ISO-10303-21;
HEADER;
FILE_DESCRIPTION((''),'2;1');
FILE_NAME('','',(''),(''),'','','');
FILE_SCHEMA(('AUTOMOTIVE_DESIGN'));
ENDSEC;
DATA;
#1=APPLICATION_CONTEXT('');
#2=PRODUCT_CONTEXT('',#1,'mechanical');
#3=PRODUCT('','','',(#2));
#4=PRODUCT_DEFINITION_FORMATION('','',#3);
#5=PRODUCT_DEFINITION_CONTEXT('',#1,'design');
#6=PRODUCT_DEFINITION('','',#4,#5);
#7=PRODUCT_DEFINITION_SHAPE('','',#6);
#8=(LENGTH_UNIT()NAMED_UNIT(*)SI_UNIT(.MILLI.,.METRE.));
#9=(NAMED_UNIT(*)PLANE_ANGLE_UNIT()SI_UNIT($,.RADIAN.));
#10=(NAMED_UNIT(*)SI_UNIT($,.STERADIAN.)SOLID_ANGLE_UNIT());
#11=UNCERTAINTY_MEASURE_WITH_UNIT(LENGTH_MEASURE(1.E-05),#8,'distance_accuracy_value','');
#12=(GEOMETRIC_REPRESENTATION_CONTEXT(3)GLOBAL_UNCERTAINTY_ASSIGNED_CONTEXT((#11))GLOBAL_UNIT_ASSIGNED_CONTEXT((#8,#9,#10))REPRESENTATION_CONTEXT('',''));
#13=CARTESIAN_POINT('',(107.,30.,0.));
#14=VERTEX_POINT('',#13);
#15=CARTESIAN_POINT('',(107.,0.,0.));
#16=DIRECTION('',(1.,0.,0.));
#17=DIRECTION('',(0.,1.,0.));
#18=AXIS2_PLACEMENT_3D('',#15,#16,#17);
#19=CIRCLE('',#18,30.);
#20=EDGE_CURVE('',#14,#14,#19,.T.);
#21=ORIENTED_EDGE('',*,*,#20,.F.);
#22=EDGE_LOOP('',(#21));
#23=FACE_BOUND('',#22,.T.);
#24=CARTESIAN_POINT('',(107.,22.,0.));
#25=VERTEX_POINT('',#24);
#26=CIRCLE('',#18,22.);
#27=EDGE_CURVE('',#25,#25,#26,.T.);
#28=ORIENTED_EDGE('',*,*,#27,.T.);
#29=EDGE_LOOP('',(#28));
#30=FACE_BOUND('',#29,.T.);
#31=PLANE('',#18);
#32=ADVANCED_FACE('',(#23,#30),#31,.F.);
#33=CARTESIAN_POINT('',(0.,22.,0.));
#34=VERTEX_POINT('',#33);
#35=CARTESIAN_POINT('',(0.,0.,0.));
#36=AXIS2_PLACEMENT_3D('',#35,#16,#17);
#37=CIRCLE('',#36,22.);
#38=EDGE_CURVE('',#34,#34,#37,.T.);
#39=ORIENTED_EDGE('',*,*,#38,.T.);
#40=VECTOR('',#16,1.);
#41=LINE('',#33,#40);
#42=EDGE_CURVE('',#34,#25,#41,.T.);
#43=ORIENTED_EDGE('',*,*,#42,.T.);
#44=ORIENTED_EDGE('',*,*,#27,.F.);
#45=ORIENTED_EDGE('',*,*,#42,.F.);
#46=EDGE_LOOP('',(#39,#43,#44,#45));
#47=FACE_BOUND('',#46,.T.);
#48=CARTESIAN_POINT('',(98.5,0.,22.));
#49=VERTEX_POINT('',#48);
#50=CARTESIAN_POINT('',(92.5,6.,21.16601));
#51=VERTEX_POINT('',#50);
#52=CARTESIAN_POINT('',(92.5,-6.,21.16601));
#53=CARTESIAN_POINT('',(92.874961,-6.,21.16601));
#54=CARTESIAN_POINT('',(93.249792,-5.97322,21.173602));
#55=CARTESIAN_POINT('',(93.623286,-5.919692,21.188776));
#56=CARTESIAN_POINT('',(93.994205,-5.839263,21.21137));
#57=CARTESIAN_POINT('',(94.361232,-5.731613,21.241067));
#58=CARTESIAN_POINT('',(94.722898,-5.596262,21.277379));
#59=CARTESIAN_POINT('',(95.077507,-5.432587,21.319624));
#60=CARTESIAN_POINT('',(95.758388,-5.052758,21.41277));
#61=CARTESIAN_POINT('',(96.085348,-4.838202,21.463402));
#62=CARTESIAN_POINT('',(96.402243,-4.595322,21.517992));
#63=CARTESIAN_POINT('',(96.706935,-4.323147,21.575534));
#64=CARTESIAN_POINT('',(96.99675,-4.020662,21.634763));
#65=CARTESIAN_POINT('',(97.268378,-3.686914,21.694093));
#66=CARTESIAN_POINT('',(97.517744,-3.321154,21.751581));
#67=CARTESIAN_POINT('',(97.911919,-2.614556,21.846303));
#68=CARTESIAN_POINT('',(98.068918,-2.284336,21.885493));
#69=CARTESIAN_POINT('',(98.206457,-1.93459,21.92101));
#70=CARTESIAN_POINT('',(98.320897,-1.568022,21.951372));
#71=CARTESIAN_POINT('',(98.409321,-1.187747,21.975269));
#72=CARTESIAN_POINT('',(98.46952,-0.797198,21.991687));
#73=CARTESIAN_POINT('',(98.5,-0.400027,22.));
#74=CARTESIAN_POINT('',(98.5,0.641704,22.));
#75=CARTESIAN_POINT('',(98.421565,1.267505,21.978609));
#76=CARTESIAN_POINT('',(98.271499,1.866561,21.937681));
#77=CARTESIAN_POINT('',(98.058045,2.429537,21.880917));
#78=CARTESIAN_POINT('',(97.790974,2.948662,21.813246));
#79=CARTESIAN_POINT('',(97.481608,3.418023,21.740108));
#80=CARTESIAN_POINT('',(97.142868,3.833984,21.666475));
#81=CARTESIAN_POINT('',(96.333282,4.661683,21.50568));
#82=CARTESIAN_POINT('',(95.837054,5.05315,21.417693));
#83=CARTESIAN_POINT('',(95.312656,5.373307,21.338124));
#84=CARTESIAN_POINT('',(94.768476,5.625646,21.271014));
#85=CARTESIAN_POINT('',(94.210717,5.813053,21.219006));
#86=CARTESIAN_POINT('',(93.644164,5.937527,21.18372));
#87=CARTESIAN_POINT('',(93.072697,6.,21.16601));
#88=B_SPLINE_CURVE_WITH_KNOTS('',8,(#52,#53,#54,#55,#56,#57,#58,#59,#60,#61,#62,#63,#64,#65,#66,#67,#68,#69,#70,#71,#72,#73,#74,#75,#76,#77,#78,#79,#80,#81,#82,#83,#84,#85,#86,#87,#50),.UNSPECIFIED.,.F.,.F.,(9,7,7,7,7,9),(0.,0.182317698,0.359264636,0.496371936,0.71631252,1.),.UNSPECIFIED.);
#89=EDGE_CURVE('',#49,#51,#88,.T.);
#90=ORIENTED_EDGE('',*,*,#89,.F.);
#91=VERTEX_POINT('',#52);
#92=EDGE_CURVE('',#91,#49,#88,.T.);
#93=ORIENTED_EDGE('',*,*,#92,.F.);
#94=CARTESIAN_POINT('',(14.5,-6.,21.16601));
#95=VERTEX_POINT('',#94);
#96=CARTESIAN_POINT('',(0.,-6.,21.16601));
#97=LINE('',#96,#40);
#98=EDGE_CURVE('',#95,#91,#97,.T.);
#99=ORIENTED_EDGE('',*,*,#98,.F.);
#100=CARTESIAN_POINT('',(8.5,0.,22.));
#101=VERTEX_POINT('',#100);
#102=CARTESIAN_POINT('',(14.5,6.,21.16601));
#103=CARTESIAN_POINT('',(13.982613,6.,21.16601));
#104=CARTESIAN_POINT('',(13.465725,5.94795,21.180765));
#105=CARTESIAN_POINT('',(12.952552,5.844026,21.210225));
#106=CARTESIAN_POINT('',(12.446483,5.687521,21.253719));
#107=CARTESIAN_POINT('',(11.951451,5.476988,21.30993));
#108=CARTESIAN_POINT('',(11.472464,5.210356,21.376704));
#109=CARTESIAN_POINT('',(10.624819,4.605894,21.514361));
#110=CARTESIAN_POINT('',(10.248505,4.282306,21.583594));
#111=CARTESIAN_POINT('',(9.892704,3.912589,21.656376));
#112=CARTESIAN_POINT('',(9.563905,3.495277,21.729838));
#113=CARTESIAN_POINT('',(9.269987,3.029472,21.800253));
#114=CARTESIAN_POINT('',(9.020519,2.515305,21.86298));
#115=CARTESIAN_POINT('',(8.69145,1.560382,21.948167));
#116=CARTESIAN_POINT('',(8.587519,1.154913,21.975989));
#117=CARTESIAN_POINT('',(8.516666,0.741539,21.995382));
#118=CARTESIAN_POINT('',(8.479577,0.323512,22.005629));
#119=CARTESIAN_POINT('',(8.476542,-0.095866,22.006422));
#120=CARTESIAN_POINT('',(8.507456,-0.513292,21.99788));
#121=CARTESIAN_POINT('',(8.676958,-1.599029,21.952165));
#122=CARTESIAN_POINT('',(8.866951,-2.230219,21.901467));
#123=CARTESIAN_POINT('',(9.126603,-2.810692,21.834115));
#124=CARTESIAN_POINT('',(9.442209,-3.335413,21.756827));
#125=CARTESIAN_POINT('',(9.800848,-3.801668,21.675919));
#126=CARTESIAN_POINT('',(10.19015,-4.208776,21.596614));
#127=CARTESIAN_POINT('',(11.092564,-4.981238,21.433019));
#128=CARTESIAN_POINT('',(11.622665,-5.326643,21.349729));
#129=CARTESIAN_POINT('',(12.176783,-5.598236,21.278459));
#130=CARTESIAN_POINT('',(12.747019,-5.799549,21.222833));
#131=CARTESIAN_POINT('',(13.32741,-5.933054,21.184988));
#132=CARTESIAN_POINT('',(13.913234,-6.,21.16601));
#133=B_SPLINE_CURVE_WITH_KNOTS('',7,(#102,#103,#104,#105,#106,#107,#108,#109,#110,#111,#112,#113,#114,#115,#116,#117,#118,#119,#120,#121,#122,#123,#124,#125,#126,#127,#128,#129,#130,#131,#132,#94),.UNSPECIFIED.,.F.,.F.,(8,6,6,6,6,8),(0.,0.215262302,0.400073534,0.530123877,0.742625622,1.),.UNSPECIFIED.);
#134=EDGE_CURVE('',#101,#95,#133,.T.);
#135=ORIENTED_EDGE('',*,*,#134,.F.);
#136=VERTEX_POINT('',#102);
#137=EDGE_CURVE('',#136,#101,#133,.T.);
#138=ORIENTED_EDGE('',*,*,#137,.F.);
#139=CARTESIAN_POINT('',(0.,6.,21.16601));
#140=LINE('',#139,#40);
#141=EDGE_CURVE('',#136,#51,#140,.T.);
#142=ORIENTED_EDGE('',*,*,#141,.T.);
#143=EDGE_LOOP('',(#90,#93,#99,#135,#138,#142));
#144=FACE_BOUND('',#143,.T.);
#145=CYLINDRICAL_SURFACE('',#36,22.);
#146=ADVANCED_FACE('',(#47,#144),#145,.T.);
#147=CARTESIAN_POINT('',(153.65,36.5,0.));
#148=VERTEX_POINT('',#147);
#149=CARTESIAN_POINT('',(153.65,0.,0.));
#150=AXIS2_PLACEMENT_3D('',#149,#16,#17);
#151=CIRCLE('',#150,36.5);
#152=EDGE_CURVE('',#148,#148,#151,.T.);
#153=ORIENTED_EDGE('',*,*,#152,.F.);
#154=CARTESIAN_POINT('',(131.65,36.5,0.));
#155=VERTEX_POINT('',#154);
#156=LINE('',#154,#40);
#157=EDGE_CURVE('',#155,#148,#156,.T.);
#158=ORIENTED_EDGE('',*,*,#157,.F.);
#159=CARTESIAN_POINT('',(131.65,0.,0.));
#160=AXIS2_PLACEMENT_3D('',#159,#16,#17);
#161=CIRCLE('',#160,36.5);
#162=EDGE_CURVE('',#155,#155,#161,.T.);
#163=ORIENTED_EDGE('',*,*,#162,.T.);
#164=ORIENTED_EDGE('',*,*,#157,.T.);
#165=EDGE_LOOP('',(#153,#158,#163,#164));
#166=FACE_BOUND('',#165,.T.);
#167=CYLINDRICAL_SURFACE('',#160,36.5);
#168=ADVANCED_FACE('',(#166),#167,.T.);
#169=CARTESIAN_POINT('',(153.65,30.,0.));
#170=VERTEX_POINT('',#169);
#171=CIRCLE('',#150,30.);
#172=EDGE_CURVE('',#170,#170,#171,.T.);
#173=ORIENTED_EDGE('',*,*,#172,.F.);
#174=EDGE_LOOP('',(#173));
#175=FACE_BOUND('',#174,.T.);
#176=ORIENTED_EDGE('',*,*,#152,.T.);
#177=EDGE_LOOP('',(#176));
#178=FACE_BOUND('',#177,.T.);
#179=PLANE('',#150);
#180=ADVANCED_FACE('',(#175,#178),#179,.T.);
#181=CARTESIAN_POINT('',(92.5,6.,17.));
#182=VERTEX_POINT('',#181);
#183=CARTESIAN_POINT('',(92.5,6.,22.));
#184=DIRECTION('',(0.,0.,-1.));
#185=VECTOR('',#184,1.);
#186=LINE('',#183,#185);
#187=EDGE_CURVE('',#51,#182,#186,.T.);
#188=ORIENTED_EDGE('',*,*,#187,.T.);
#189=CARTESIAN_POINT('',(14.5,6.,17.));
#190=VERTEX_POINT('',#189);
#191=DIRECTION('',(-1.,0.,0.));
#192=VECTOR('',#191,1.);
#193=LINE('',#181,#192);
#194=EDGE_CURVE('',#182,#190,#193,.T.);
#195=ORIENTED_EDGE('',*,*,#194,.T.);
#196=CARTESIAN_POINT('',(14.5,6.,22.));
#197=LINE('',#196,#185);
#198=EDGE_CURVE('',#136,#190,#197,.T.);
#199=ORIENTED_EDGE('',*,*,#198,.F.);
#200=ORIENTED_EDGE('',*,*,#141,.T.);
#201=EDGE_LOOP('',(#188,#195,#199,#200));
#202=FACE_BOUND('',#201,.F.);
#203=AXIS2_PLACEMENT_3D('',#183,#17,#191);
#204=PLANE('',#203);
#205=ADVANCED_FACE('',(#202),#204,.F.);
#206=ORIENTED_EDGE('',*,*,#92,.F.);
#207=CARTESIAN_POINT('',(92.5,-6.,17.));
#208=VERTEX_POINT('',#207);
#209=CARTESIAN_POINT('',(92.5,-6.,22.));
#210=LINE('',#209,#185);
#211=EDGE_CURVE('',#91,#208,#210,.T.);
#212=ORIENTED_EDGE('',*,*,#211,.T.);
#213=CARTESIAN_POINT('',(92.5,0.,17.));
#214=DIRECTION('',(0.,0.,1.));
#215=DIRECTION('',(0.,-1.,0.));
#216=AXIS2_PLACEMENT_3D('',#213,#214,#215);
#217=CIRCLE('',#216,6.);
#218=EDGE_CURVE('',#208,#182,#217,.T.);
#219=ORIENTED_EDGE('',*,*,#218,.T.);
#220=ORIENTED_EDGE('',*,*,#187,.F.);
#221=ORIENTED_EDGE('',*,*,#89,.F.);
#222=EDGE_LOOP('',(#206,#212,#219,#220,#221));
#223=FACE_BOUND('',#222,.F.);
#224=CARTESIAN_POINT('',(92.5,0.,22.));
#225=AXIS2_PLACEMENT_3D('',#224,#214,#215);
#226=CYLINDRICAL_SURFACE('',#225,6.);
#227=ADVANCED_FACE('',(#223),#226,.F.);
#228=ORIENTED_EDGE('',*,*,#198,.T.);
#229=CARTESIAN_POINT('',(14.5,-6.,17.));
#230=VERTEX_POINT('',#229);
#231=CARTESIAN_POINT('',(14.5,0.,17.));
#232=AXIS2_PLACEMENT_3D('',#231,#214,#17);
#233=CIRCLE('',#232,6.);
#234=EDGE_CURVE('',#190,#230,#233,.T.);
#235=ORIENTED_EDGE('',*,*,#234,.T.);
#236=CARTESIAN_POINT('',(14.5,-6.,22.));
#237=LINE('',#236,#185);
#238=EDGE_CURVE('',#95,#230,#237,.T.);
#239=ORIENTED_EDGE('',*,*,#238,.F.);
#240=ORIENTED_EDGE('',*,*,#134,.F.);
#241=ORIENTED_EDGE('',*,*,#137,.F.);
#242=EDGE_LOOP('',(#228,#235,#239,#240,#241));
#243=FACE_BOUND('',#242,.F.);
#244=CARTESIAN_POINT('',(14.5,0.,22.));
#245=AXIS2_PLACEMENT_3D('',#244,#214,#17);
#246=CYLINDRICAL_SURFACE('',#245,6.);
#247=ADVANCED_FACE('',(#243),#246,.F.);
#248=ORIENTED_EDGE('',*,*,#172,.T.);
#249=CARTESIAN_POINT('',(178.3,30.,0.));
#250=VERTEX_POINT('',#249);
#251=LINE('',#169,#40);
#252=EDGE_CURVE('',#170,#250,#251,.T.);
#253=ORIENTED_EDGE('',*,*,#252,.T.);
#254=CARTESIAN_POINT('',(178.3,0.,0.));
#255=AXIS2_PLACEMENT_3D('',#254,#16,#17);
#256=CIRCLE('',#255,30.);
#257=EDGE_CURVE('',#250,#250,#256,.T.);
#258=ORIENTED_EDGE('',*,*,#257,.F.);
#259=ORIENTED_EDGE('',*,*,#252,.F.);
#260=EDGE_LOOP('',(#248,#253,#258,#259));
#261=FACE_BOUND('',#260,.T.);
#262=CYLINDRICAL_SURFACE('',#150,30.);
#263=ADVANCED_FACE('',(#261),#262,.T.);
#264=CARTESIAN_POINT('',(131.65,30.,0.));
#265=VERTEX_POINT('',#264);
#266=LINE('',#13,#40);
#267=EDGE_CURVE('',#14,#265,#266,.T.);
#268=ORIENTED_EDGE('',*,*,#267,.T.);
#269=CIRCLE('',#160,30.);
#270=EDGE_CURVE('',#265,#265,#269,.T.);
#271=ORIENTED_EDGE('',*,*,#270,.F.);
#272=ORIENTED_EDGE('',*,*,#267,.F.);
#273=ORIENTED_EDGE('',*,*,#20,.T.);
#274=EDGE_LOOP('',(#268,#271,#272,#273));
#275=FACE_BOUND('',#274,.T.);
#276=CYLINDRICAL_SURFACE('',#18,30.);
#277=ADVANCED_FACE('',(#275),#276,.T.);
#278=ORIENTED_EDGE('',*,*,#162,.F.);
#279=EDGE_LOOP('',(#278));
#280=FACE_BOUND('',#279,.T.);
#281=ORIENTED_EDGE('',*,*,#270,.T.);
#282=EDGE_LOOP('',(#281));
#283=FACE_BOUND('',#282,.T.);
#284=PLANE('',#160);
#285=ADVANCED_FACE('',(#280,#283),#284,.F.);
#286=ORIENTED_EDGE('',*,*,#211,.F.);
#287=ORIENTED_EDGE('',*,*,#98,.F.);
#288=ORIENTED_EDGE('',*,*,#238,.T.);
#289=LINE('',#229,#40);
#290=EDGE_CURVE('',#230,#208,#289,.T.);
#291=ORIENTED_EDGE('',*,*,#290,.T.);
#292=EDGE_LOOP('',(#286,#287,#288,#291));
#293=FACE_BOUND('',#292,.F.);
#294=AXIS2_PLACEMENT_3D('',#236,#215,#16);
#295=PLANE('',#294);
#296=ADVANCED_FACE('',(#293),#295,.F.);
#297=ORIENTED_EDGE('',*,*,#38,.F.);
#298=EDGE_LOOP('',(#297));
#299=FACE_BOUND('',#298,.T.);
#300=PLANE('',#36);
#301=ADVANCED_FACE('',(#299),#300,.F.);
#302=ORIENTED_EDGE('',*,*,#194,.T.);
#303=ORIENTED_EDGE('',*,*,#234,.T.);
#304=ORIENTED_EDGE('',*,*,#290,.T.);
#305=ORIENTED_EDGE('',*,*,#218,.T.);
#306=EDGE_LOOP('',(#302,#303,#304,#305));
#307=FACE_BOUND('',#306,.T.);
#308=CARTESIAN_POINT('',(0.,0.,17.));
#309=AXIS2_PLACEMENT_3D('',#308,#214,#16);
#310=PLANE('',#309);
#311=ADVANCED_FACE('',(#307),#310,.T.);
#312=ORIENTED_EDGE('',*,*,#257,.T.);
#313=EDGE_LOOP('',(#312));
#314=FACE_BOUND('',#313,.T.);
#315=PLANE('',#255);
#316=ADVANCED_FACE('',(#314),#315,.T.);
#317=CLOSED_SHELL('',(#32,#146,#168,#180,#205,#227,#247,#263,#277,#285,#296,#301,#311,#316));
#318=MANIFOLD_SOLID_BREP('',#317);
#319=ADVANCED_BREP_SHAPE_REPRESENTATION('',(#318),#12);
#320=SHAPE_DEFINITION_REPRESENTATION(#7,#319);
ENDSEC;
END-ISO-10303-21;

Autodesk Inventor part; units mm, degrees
ref_plane "YZ Plane" through (0, 0, 0) normal (1, 0, 0) x (0, 1, 0)
ref_plane "XZ Plane" through (0, 0, 0) normal (0, 1, 0) x (-1, 0, 0)
sketch "Skizze1" plane through (0, 0, 0) normal (0, 0, 1) x (1, 0, 0)
  line L0 (0, 0) -> (0, 22)
  line L1 (0, 22) -> (107, 22)
  line L2 (107, 22) -> (107, 30)
  line L3 (107, 30) -> (131.65, 30)
  line L4 (131.65, 30) -> (131.65, 36.5)
  line L5 (131.65, 36.5) -> (153.65, 36.5)
  line L6 (153.65, 36.5) -> (153.65, 30)
  line L7 (153.65, 30) -> (178.3, 30)
  line L8 (178.3, 30) -> (178.3, 0)
  line L9 (178.3, 0) -> (0, 0)
  line L10 (-35.66, 0) -> (213.96, 0) projected
revolve "Umdrehung1" add sketch "Skizze1" angle 360 about axis through (-10, 0, 0) along (1, 0, 0)
ref_plane "Arbeitsebene1" through (0, 0, 22) normal (0, 0, 1) x (1, 0, 0)
sketch "Skizze2" plane through (0, 0, 22) normal (0, 0, 1) x (1, 0, 0)
  line L0 (8.5, 0) -> (98.5, 0) construction
  line L1 (14.5, -6) -> (92.5, -6)
  line L2 (92.5, 6) -> (14.5, 6)
  arc A0 (14.5, 6) -> (14.5, -6) centre (14.5, 0) ccw
  arc A1 (92.5, -6) -> (92.5, 6) centre (92.5, 0) ccw
  point P0 (53.5, 0)
extrude "Extrusion1" cut sketch "Skizze2" against normal blind 5
properties part number "shaft_6"
